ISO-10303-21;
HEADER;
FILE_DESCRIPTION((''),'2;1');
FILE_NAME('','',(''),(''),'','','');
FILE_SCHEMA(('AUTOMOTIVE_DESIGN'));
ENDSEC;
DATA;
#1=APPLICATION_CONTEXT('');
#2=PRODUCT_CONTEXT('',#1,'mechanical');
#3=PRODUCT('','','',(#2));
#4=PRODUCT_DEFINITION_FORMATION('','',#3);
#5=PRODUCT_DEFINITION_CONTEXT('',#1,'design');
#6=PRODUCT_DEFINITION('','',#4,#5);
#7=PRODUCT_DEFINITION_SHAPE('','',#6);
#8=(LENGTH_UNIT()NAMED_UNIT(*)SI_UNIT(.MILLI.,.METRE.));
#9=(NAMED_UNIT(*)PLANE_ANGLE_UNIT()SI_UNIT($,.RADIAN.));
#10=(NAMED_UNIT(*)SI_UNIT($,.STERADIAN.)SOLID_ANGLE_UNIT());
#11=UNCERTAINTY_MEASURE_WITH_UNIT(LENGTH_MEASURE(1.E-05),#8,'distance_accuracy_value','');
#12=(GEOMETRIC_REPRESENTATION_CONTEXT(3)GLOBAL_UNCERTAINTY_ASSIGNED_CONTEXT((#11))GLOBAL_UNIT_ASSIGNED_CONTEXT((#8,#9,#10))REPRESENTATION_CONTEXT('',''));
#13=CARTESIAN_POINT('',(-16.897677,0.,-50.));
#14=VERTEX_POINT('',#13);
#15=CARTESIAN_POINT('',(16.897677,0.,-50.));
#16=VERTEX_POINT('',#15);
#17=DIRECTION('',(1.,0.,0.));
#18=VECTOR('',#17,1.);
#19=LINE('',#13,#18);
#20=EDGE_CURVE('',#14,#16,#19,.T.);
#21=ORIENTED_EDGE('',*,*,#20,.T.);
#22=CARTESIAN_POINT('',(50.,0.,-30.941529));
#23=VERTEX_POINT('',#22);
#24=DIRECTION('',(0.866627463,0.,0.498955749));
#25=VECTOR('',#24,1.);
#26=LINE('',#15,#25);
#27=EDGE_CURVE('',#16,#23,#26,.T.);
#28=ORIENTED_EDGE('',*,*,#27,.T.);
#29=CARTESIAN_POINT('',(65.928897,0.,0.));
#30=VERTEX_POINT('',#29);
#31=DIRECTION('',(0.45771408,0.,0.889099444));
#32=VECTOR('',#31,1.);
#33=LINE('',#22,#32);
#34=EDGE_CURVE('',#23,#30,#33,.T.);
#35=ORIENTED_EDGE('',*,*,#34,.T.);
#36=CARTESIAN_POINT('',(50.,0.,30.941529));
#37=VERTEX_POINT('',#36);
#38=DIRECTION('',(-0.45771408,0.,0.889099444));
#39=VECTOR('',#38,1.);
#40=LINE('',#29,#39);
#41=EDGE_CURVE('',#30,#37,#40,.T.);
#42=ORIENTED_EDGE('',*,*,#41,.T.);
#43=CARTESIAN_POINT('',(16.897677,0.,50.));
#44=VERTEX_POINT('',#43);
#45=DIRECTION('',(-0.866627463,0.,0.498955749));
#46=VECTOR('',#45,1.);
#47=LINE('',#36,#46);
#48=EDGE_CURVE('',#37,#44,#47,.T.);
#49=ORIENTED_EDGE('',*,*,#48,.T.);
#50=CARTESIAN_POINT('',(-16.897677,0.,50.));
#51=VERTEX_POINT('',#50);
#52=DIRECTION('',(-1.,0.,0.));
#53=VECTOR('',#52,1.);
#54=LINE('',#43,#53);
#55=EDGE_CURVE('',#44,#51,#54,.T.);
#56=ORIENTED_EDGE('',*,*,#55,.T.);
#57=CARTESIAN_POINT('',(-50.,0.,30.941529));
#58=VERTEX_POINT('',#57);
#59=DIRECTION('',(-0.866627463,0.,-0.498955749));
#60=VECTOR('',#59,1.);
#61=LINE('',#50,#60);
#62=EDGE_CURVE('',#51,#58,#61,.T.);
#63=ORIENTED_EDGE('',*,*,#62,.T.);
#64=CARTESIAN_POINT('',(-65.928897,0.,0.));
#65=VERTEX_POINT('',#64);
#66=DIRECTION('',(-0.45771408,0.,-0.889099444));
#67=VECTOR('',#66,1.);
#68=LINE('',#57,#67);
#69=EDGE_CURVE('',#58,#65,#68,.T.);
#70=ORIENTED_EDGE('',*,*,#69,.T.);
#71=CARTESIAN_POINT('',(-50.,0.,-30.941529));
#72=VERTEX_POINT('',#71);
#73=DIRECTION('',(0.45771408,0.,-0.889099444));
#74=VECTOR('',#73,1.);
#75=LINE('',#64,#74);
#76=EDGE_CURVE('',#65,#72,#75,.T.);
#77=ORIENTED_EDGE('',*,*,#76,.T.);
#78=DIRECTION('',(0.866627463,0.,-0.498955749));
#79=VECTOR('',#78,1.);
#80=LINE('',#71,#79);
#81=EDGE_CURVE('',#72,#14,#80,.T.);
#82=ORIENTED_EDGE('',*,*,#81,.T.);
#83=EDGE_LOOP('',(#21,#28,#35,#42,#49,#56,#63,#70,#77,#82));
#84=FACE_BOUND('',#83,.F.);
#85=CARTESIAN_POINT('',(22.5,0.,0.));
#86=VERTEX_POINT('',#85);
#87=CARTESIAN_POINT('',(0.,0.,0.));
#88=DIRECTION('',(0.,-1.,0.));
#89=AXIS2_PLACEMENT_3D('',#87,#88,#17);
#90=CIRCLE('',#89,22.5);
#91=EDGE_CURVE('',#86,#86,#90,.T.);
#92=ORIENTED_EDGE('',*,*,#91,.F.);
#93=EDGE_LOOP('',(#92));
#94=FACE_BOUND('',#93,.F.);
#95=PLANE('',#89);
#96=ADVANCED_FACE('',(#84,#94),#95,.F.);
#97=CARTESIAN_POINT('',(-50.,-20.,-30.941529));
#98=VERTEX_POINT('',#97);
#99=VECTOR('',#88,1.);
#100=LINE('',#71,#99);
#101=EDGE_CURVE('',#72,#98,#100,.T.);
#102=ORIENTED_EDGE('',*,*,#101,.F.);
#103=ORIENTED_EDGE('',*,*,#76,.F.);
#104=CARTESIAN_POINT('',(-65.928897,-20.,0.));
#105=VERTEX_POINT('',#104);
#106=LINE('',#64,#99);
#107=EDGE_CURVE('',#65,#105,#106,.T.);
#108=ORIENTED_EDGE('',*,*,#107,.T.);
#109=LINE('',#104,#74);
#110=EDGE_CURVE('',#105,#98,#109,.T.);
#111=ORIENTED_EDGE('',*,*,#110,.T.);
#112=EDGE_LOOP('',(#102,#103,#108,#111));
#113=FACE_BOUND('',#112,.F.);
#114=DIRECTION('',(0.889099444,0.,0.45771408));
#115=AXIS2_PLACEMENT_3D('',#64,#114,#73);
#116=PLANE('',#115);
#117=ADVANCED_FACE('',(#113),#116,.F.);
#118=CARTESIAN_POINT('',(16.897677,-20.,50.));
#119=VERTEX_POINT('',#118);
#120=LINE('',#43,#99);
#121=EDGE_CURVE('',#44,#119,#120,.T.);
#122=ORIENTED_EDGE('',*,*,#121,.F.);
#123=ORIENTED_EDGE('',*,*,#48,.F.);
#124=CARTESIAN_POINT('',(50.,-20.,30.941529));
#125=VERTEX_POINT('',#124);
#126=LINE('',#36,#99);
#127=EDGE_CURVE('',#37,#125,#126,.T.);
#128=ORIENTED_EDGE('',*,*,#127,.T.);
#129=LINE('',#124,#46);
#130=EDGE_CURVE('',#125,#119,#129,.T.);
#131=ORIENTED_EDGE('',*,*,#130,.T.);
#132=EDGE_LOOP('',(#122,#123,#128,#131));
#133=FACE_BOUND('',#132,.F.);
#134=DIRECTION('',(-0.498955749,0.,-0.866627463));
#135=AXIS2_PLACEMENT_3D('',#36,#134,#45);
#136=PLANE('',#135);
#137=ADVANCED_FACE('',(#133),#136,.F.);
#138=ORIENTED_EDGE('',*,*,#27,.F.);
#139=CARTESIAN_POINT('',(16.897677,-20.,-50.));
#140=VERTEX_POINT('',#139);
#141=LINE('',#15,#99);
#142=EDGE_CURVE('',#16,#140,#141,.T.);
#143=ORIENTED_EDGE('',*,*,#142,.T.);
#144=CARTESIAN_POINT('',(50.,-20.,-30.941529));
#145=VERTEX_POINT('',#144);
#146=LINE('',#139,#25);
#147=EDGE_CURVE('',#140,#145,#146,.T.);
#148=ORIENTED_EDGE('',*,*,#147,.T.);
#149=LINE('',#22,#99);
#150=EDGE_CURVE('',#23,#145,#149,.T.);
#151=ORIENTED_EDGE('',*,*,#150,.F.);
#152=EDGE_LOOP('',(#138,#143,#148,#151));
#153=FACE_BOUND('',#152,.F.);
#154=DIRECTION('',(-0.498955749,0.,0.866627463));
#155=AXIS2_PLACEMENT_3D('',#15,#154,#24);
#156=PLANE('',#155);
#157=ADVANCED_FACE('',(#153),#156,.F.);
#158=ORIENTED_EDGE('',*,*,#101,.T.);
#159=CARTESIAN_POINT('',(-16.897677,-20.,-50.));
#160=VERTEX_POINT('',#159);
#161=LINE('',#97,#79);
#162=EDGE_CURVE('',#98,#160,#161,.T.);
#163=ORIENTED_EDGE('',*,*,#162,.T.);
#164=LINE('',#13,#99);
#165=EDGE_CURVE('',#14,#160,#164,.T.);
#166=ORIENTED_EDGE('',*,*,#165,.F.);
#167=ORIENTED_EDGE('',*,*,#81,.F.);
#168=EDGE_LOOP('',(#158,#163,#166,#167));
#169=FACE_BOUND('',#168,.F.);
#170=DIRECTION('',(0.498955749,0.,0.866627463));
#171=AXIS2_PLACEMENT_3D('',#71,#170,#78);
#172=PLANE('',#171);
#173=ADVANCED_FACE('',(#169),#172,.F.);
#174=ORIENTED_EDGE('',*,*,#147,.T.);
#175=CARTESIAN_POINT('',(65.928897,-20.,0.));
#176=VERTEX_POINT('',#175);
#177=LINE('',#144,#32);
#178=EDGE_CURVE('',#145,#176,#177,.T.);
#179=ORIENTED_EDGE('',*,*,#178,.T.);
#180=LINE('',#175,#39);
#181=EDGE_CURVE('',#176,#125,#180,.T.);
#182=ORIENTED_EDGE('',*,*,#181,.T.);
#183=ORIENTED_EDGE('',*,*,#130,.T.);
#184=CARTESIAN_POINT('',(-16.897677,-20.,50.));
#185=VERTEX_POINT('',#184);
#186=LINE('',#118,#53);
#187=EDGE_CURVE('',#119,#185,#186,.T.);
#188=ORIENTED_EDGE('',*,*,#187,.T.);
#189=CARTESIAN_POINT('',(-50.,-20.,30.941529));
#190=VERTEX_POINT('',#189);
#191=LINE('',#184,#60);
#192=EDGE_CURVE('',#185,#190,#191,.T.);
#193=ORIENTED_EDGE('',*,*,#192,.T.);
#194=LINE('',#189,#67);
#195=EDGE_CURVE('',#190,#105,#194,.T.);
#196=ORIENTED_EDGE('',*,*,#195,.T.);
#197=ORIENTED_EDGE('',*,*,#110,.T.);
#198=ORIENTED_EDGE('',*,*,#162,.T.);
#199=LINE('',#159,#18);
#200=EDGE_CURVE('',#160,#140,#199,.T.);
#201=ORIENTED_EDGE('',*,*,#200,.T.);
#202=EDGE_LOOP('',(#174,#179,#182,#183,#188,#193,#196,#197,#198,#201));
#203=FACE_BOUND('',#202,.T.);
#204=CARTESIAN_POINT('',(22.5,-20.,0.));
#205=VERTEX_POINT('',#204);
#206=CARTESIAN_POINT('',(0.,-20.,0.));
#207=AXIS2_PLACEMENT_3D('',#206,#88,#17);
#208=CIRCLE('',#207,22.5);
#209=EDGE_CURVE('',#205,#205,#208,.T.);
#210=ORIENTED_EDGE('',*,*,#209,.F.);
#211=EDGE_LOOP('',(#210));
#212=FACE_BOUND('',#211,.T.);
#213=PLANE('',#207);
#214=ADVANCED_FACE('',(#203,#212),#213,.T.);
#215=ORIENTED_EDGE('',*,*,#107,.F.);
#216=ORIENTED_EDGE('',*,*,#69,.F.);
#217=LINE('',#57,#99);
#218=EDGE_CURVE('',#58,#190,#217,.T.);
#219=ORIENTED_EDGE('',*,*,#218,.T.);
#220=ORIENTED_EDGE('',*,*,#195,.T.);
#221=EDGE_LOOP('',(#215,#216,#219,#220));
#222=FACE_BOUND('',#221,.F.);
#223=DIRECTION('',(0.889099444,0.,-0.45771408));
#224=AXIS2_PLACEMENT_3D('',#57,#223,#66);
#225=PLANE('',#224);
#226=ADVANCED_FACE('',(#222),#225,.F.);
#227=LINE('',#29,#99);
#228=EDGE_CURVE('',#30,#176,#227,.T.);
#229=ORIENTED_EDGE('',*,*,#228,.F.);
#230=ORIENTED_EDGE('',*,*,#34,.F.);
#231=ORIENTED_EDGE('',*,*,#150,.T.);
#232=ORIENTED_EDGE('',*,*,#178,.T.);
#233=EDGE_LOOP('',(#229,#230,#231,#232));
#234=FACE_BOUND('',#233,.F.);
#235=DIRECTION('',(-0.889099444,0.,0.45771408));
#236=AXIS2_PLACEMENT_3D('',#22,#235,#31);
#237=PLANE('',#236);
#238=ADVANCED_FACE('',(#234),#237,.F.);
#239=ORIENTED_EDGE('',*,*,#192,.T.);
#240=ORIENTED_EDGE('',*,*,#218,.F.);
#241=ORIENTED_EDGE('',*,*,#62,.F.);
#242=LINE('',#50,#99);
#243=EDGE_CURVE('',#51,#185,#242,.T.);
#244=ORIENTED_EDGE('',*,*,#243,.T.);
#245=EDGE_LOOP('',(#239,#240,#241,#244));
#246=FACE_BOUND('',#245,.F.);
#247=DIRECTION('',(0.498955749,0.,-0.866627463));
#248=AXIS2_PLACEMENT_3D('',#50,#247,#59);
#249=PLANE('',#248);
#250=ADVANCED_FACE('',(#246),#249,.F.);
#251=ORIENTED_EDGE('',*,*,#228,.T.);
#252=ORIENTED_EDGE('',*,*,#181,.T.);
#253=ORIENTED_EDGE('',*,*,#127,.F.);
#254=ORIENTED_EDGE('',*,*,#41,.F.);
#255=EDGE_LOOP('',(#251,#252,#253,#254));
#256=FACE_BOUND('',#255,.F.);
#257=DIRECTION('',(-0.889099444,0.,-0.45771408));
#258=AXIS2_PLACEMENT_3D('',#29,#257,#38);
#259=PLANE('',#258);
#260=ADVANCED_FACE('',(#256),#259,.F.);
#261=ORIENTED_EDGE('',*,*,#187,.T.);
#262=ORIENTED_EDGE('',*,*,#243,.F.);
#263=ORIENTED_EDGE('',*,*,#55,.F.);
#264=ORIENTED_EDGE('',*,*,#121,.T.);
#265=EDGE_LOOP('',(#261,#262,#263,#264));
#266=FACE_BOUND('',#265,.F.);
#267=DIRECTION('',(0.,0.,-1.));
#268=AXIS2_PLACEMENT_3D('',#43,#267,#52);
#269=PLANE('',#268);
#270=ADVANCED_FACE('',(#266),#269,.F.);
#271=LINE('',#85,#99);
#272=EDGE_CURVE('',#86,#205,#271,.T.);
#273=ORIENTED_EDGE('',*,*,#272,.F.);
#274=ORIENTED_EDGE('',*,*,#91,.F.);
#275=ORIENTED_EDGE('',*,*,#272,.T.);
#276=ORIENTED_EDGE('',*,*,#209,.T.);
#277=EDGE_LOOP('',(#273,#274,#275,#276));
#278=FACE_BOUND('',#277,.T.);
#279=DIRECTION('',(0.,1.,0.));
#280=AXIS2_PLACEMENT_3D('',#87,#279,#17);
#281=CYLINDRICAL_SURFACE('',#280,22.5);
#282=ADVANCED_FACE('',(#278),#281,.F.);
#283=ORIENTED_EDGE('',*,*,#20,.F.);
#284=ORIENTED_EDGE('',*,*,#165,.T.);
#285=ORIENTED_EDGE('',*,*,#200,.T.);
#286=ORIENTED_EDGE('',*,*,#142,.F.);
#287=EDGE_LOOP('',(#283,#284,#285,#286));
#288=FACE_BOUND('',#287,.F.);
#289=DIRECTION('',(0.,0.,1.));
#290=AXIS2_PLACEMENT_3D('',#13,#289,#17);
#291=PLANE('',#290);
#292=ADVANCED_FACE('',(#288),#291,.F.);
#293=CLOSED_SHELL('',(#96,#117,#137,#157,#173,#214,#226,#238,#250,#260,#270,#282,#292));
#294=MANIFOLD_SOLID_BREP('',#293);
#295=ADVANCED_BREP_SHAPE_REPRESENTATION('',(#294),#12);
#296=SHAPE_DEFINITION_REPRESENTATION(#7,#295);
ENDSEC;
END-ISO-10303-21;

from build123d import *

# Parameters (mm, degrees)
F0_R     = 22.5
F1_DEPTH = 20


with BuildPart() as f1:
    # F0 (on Front) → F1 (new body)
    with BuildSketch(Plane.XZ):
        Polygon((16.897677, 50), (-16.897677, 50), (-50, 30.941529), (-50, -30.941529), (-16.897677, -50), (16.897677, -50), (50, -30.941529), (50, 30.941529), align=None)
        Circle(F0_R, mode=Mode.SUBTRACT)
        Polygon((-50, -30.941529), (-50, 30.941529), (-65.928897, 0), align=None)
        Polygon((65.928897, 0), (50, 30.941529), (50, -30.941529), align=None)
    extrude(amount=F1_DEPTH)


solid = f1.part
